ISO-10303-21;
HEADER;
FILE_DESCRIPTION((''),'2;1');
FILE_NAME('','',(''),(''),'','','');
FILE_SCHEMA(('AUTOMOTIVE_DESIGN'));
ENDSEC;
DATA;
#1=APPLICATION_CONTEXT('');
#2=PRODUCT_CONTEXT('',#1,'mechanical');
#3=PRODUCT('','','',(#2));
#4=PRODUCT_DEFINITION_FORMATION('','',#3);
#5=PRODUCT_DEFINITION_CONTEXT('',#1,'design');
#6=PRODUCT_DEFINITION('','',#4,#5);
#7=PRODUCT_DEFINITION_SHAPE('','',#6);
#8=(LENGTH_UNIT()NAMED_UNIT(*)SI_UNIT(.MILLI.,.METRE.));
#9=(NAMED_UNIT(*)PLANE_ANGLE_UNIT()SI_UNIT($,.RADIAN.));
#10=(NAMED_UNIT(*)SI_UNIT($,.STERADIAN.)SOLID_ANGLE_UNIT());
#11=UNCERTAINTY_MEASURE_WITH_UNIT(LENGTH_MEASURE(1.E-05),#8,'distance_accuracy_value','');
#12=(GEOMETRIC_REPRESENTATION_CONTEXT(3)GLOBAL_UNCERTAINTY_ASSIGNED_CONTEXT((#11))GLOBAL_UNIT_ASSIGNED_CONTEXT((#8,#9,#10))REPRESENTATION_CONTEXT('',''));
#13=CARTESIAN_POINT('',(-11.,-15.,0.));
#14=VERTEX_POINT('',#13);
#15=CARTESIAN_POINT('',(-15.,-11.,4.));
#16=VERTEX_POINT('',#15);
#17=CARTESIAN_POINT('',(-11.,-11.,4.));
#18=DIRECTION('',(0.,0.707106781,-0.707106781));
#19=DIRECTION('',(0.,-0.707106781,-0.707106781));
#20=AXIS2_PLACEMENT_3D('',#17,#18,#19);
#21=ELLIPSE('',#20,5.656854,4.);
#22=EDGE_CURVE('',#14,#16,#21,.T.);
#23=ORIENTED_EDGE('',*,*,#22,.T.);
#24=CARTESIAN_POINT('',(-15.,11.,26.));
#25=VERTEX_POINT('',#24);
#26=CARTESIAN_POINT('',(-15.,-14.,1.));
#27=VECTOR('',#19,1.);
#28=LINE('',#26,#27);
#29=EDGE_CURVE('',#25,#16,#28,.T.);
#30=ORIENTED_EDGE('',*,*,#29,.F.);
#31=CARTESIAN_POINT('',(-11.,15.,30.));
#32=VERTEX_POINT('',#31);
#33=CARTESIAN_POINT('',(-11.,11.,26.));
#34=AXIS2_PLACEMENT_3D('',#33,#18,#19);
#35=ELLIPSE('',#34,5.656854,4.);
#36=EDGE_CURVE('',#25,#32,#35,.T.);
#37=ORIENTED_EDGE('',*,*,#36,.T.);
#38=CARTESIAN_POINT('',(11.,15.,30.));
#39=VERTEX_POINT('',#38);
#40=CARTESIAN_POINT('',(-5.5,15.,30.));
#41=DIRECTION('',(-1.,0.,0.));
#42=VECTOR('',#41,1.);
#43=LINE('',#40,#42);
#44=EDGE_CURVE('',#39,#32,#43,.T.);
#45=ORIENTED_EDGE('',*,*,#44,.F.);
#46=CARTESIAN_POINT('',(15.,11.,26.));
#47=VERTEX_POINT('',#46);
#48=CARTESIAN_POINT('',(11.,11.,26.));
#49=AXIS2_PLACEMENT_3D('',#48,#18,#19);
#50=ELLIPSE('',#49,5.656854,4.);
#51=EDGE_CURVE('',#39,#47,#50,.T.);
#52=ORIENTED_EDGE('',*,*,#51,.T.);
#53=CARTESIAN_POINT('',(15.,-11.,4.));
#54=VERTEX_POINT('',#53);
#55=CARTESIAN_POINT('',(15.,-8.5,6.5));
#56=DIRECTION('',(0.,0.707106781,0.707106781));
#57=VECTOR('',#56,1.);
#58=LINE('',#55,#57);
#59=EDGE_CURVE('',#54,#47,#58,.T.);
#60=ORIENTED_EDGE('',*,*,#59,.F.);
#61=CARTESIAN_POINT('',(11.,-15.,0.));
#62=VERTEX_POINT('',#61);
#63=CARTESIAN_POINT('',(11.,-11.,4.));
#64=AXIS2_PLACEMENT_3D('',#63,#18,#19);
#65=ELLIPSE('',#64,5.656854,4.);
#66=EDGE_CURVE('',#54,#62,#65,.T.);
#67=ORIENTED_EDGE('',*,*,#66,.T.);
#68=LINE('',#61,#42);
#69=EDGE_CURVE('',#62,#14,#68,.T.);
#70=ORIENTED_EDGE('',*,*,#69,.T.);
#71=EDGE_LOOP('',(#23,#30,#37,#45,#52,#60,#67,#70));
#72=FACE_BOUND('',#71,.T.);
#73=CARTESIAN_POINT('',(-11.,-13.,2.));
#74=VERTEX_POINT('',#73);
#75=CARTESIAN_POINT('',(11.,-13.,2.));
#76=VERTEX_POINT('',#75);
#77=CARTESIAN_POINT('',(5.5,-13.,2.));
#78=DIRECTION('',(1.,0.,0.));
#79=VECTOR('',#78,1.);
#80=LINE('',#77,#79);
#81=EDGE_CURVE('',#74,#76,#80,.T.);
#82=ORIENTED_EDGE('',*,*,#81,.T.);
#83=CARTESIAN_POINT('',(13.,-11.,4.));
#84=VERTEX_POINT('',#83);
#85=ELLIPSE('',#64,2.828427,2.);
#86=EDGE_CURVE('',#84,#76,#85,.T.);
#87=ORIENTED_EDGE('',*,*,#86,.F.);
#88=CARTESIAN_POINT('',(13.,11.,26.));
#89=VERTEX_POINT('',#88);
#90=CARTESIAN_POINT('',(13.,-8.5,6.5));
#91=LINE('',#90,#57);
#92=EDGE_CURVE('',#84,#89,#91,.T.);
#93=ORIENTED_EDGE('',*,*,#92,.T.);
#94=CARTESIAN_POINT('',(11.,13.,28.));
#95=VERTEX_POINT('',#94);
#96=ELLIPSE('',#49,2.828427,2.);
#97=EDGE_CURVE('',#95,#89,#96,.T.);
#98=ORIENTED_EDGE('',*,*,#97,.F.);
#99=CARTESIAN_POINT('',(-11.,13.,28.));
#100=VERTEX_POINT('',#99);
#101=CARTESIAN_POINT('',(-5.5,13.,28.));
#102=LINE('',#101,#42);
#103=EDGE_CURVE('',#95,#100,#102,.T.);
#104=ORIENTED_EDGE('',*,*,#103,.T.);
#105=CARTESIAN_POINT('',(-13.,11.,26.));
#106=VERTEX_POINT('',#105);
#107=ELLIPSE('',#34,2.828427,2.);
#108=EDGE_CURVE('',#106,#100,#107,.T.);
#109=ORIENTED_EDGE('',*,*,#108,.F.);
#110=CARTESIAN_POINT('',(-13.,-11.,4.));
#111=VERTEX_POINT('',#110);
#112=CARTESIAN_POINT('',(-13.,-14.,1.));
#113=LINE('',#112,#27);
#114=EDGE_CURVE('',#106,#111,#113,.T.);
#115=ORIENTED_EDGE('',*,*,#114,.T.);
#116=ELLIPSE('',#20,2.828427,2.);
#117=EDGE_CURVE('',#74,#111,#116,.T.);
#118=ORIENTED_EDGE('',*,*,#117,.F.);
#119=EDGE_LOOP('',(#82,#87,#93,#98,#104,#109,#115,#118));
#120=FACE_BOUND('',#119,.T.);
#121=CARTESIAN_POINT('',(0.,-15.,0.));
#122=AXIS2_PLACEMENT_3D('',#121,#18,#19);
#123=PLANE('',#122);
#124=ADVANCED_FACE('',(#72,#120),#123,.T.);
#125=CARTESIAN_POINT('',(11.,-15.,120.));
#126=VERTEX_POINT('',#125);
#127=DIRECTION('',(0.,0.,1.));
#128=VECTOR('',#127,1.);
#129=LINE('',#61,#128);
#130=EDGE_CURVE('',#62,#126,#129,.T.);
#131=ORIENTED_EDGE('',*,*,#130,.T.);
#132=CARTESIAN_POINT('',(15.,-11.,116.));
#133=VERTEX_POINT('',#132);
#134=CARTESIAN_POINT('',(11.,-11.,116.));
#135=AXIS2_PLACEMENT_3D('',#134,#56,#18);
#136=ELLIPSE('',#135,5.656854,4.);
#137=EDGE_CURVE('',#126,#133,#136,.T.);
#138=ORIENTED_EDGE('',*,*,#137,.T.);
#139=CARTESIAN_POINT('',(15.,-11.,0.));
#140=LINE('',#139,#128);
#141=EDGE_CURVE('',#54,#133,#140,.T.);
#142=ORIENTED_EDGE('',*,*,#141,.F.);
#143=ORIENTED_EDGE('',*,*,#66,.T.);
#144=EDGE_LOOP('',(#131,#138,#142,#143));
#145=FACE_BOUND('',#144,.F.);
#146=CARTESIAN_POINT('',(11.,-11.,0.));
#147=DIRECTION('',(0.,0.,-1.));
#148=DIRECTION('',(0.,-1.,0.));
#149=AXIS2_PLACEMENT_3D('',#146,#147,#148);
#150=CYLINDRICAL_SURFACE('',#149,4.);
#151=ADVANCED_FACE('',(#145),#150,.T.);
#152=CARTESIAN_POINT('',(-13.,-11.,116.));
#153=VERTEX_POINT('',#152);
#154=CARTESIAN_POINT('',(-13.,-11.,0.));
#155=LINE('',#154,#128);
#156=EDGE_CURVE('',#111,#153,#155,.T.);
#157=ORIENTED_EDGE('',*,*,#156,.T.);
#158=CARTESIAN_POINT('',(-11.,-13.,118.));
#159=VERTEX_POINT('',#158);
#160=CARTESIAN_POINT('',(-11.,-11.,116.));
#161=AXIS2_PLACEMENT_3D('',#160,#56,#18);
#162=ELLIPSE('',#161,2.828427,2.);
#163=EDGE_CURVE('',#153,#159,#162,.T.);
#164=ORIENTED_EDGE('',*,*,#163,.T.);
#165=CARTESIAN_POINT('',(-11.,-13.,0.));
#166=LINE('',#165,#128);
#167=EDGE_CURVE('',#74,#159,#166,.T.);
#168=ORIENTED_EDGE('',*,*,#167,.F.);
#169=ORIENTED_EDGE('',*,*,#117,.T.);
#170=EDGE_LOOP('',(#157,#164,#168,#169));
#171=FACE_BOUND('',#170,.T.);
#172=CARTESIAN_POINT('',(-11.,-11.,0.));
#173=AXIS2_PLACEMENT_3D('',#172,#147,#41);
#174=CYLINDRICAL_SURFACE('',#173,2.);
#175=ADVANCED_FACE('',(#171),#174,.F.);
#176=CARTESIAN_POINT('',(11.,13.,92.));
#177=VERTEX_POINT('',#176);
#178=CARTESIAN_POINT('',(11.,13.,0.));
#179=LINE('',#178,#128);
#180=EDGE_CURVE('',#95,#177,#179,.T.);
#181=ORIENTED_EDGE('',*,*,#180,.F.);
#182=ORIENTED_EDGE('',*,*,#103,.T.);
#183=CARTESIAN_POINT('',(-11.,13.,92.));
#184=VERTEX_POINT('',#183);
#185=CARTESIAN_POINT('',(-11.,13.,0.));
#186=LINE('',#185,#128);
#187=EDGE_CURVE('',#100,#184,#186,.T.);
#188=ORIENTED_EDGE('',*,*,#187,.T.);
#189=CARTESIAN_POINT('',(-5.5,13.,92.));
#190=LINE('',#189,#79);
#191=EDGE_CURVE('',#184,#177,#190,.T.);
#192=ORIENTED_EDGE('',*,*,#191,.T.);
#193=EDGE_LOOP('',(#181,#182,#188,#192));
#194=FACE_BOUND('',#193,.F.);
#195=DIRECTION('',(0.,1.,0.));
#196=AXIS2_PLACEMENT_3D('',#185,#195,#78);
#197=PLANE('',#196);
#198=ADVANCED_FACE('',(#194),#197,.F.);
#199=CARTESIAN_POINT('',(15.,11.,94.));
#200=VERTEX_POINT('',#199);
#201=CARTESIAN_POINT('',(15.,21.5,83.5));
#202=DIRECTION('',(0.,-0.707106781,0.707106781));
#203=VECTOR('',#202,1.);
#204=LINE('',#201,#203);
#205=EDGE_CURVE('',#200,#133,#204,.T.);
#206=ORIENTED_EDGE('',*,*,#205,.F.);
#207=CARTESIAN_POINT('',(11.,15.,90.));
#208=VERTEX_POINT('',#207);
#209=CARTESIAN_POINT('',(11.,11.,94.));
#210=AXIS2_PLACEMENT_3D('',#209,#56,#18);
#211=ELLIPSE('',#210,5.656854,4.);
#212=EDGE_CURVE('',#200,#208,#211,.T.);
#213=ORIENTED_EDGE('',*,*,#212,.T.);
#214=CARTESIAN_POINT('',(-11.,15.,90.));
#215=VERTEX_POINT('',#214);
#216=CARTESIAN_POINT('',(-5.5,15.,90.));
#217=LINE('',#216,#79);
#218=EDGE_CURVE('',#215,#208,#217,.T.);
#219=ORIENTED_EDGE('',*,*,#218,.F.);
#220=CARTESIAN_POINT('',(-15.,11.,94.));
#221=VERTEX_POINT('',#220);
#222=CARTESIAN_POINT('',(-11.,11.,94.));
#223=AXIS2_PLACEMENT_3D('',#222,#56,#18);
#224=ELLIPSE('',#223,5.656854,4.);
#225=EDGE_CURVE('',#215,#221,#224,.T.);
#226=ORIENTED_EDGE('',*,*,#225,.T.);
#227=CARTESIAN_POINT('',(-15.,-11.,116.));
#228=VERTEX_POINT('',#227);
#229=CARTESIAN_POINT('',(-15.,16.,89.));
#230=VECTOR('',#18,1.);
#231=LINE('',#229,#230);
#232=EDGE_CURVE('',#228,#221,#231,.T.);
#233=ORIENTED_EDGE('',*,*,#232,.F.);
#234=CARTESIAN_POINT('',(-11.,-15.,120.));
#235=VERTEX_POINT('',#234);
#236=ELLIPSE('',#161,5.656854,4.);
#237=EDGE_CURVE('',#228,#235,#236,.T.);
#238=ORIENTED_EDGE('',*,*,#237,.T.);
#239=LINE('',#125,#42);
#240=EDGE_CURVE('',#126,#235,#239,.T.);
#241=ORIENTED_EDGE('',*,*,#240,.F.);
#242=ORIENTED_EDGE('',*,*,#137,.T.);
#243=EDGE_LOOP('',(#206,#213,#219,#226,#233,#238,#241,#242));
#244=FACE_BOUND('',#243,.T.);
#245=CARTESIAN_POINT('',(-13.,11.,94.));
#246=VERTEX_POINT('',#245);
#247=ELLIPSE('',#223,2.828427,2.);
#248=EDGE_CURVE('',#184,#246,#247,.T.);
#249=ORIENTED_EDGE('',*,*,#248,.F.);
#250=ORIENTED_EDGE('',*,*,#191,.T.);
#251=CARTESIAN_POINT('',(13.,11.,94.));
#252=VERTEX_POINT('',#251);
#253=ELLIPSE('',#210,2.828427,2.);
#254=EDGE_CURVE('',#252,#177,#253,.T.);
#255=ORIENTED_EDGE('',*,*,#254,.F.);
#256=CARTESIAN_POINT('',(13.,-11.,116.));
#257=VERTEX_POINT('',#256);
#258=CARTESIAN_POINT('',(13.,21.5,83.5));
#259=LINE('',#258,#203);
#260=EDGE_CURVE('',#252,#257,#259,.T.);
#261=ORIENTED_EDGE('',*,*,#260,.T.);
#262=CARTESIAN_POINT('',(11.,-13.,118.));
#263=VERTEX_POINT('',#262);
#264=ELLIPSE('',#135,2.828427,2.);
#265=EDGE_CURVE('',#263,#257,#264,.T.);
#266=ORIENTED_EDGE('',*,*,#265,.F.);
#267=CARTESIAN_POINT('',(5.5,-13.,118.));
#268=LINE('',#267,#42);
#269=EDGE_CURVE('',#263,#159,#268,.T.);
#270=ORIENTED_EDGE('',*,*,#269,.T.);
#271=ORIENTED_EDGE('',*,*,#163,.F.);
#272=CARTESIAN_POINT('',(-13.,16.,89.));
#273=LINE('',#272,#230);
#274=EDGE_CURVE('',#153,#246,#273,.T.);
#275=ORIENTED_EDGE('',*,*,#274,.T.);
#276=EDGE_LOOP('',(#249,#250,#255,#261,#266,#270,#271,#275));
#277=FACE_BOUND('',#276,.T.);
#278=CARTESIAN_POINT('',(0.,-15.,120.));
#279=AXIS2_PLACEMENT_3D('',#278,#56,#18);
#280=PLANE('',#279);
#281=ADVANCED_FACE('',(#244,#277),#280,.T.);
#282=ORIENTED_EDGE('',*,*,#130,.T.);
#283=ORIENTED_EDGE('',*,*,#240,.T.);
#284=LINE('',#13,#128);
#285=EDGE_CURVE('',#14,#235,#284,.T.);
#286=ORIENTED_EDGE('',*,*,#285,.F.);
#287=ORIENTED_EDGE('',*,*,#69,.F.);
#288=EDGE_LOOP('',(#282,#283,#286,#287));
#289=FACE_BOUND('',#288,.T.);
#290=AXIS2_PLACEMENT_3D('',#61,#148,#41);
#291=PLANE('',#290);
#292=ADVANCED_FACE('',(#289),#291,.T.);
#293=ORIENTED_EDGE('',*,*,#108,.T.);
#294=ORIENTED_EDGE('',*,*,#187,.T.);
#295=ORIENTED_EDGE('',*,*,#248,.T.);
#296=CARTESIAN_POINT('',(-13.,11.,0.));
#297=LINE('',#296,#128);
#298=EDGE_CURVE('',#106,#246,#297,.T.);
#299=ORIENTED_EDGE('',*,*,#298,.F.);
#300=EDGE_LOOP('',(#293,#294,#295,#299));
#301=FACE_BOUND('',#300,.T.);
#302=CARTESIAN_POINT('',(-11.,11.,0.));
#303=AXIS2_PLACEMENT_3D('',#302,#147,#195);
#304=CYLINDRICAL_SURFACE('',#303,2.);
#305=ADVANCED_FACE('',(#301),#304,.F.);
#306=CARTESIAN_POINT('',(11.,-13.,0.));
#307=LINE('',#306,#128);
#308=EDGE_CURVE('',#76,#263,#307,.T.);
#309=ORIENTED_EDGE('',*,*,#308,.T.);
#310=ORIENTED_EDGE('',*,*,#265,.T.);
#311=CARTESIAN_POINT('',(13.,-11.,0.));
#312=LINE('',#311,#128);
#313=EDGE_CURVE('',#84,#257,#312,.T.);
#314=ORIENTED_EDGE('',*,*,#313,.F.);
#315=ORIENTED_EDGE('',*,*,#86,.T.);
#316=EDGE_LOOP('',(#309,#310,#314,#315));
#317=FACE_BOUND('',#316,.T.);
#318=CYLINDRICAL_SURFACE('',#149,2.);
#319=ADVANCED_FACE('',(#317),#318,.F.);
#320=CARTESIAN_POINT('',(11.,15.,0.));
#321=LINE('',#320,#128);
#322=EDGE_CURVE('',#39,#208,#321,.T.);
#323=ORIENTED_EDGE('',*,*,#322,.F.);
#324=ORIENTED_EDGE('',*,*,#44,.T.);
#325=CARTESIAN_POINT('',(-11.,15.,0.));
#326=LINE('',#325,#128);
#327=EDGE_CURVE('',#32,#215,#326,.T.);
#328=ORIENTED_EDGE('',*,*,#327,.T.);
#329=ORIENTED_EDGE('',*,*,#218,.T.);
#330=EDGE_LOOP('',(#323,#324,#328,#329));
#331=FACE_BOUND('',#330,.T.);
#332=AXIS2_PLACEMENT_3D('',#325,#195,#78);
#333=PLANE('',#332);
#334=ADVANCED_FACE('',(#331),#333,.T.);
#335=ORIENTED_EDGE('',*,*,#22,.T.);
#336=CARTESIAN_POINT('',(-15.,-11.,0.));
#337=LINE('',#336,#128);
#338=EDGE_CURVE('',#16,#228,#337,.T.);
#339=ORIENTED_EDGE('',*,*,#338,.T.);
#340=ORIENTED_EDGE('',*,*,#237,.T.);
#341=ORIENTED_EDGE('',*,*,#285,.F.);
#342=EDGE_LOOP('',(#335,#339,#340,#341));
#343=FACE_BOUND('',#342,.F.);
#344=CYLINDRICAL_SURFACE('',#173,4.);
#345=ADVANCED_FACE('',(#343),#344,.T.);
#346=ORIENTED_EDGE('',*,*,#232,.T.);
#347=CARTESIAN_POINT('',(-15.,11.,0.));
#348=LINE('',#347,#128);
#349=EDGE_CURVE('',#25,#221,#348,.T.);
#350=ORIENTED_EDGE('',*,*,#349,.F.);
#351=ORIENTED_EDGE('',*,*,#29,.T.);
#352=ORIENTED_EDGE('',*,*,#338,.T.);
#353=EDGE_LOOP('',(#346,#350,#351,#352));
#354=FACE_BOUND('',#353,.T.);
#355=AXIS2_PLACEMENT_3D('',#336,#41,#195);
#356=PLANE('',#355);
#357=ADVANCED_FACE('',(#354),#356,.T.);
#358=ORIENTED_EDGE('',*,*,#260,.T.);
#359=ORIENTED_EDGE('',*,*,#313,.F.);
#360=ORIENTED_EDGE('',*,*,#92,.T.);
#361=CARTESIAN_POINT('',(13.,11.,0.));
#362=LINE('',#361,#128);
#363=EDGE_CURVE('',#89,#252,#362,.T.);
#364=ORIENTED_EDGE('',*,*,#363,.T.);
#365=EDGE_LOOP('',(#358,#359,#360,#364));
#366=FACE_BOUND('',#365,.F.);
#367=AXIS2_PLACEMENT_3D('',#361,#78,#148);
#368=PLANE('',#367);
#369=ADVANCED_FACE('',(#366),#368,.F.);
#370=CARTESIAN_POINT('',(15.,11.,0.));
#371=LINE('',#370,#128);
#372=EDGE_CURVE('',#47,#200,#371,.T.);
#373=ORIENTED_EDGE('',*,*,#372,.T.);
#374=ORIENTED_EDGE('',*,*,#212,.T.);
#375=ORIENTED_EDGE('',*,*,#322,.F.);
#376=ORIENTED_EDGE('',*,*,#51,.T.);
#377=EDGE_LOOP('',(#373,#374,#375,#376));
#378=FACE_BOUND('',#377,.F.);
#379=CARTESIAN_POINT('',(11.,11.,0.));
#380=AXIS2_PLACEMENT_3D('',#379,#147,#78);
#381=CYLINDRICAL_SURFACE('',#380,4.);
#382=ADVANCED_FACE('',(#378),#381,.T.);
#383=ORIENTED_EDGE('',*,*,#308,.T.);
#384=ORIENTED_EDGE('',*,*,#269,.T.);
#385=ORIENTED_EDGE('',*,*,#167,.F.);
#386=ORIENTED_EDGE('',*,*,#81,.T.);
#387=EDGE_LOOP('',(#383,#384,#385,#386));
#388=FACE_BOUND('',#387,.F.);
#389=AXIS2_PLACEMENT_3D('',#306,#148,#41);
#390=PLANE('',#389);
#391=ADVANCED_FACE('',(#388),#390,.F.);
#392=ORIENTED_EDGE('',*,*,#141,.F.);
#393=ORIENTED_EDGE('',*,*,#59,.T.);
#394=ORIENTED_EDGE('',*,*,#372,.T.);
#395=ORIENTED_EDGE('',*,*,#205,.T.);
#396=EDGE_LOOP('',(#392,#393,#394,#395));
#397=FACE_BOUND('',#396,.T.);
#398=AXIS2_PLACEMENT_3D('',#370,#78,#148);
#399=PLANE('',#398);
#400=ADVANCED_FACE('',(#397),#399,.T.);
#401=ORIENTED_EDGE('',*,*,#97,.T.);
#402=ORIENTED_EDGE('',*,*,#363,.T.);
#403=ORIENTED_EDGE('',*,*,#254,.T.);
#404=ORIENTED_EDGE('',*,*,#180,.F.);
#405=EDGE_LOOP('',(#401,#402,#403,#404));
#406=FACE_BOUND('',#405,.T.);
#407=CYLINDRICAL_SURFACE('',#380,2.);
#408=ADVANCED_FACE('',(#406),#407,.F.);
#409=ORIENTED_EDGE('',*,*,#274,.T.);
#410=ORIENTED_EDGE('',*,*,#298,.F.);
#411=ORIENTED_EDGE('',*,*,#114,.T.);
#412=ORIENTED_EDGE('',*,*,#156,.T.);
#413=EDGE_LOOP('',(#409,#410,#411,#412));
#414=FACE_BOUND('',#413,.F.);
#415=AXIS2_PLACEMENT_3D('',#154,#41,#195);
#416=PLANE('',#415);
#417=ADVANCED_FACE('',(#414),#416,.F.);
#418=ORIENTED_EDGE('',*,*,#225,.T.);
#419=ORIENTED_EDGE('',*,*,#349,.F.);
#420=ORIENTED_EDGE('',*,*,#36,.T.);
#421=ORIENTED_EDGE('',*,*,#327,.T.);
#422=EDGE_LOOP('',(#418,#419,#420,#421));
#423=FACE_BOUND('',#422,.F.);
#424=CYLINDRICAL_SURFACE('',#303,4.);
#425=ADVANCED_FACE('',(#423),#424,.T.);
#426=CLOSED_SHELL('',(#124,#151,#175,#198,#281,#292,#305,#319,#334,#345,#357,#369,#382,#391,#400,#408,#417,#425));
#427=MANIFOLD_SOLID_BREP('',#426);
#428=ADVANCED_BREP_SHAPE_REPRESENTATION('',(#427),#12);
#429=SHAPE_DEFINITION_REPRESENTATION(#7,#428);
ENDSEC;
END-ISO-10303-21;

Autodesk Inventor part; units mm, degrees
ref_plane "Plano inicial" through (0, 0, 0) normal (0, 0, 1) x (1, 0, 0)
ref_plane "Plano final" through (0, 0, 120) normal (0, 0, 1) x (1, 0, 0)
sketch "Esboço" plane through (0, 0, 0) normal (0, 0, 1) x (1, 0, 0)
  line L0 (-15, -11) -> (-15, 11)
  line L1 (-11, 15) -> (11, 15)
  line L2 (15, 11) -> (15, -11)
  line L3 (11, -15) -> (-11, -15)
  arc A0 (-15, -11) -> (-11, -15) centre (-11, -11) ccw
  arc A1 (15, 11) -> (11, 15) centre (11, 11) ccw
  arc A2 (-11, 15) -> (-15, 11) centre (-11, 11) ccw
  arc A3 (11, -15) -> (15, -11) centre (11, -11) ccw
  arc A4 (-11, 13) -> (-13, 11) centre (-11, 11) ccw
  line L4 (-11, 13) -> (11, 13)
  arc A5 (13, 11) -> (11, 13) centre (11, 11) ccw
  line L5 (13, 11) -> (13, -11)
  arc A6 (11, -13) -> (13, -11) centre (11, -11) ccw
  line L6 (11, -13) -> (-11, -13)
  arc A7 (-13, -11) -> (-11, -13) centre (-11, -11) ccw
  line L7 (-13, -11) -> (-13, 11)
  line L8 (0, 22.1598) -> (0, -22.1598) construction
  line L9 (-22.1598, 0) -> (22.1598, 0) construction
  dimension "d7" = 4
  dimension "d9" = 30
  dimension "d11" = 30
  dimension "d12" = 2
  dimension "d15" = 15
  dimension "d16" = 15
extrude "Corpo" add sketch "Esboço" along normal up to surface (120 mm away) from surface at 0
sketch "Sketch3" plane through (0, 0, 0) normal (0, 0, 1) x (1, 0, 0)
  line L0 (0, 0) -> (10, 0)
ref_plane "Work Plane3" through (0, 0, 0) normal (0, -1, 0) x (1, 0, 0)
sketch "Sketch4" plane through (0, 0, 0) normal (0, -1, 0) x (1, 0, 0)
  line L0 (-2, 0) -> (12, 0)
  line L1 (-2, 120) -> (12, 120)
  dimension "d18" = 120
ref_plane "Plano de trabalho4" through (0, -15, 0) normal (0, 0.7071, -0.7071) x (1, 0, 0)
split "Dividir1" plane through (0, -15, 0) removes the side toward (0, 0.7071, -0.7071)
ref_plane "Plano de trabalho5" through (0, -15, 120) normal (0, 0.7071, 0.7071) x (1, 0, 0)
split "Dividir2" plane through (0, -15, 120) removes the side toward (0, 0.7071, 0.7071)
equation "\"d7\" = G_IR"
equation "\"d9\" = G_W"
equation "\"d11\" = G_H"
equation "\"d12\" = G_T"
equation "\"d15\" = 0.5 * d9"
equation "\"d16\" = 0.5 * d11"
equation "\"d3\" = G_L"
equation "\"G_W\" = 30"
equation "\"G_H\" = 30"
equation "\"G_T\" = 2"
equation "\"G_IR\" = 4"
equation "\"G_L\" = d18"
equation "\"G_OFFSET_START\" = 0"
equation "\"G_OFFSET_END\" = 0"
properties part number "ISO 10799-2 - 30x30x2 - 120" material "Aço, suave"
